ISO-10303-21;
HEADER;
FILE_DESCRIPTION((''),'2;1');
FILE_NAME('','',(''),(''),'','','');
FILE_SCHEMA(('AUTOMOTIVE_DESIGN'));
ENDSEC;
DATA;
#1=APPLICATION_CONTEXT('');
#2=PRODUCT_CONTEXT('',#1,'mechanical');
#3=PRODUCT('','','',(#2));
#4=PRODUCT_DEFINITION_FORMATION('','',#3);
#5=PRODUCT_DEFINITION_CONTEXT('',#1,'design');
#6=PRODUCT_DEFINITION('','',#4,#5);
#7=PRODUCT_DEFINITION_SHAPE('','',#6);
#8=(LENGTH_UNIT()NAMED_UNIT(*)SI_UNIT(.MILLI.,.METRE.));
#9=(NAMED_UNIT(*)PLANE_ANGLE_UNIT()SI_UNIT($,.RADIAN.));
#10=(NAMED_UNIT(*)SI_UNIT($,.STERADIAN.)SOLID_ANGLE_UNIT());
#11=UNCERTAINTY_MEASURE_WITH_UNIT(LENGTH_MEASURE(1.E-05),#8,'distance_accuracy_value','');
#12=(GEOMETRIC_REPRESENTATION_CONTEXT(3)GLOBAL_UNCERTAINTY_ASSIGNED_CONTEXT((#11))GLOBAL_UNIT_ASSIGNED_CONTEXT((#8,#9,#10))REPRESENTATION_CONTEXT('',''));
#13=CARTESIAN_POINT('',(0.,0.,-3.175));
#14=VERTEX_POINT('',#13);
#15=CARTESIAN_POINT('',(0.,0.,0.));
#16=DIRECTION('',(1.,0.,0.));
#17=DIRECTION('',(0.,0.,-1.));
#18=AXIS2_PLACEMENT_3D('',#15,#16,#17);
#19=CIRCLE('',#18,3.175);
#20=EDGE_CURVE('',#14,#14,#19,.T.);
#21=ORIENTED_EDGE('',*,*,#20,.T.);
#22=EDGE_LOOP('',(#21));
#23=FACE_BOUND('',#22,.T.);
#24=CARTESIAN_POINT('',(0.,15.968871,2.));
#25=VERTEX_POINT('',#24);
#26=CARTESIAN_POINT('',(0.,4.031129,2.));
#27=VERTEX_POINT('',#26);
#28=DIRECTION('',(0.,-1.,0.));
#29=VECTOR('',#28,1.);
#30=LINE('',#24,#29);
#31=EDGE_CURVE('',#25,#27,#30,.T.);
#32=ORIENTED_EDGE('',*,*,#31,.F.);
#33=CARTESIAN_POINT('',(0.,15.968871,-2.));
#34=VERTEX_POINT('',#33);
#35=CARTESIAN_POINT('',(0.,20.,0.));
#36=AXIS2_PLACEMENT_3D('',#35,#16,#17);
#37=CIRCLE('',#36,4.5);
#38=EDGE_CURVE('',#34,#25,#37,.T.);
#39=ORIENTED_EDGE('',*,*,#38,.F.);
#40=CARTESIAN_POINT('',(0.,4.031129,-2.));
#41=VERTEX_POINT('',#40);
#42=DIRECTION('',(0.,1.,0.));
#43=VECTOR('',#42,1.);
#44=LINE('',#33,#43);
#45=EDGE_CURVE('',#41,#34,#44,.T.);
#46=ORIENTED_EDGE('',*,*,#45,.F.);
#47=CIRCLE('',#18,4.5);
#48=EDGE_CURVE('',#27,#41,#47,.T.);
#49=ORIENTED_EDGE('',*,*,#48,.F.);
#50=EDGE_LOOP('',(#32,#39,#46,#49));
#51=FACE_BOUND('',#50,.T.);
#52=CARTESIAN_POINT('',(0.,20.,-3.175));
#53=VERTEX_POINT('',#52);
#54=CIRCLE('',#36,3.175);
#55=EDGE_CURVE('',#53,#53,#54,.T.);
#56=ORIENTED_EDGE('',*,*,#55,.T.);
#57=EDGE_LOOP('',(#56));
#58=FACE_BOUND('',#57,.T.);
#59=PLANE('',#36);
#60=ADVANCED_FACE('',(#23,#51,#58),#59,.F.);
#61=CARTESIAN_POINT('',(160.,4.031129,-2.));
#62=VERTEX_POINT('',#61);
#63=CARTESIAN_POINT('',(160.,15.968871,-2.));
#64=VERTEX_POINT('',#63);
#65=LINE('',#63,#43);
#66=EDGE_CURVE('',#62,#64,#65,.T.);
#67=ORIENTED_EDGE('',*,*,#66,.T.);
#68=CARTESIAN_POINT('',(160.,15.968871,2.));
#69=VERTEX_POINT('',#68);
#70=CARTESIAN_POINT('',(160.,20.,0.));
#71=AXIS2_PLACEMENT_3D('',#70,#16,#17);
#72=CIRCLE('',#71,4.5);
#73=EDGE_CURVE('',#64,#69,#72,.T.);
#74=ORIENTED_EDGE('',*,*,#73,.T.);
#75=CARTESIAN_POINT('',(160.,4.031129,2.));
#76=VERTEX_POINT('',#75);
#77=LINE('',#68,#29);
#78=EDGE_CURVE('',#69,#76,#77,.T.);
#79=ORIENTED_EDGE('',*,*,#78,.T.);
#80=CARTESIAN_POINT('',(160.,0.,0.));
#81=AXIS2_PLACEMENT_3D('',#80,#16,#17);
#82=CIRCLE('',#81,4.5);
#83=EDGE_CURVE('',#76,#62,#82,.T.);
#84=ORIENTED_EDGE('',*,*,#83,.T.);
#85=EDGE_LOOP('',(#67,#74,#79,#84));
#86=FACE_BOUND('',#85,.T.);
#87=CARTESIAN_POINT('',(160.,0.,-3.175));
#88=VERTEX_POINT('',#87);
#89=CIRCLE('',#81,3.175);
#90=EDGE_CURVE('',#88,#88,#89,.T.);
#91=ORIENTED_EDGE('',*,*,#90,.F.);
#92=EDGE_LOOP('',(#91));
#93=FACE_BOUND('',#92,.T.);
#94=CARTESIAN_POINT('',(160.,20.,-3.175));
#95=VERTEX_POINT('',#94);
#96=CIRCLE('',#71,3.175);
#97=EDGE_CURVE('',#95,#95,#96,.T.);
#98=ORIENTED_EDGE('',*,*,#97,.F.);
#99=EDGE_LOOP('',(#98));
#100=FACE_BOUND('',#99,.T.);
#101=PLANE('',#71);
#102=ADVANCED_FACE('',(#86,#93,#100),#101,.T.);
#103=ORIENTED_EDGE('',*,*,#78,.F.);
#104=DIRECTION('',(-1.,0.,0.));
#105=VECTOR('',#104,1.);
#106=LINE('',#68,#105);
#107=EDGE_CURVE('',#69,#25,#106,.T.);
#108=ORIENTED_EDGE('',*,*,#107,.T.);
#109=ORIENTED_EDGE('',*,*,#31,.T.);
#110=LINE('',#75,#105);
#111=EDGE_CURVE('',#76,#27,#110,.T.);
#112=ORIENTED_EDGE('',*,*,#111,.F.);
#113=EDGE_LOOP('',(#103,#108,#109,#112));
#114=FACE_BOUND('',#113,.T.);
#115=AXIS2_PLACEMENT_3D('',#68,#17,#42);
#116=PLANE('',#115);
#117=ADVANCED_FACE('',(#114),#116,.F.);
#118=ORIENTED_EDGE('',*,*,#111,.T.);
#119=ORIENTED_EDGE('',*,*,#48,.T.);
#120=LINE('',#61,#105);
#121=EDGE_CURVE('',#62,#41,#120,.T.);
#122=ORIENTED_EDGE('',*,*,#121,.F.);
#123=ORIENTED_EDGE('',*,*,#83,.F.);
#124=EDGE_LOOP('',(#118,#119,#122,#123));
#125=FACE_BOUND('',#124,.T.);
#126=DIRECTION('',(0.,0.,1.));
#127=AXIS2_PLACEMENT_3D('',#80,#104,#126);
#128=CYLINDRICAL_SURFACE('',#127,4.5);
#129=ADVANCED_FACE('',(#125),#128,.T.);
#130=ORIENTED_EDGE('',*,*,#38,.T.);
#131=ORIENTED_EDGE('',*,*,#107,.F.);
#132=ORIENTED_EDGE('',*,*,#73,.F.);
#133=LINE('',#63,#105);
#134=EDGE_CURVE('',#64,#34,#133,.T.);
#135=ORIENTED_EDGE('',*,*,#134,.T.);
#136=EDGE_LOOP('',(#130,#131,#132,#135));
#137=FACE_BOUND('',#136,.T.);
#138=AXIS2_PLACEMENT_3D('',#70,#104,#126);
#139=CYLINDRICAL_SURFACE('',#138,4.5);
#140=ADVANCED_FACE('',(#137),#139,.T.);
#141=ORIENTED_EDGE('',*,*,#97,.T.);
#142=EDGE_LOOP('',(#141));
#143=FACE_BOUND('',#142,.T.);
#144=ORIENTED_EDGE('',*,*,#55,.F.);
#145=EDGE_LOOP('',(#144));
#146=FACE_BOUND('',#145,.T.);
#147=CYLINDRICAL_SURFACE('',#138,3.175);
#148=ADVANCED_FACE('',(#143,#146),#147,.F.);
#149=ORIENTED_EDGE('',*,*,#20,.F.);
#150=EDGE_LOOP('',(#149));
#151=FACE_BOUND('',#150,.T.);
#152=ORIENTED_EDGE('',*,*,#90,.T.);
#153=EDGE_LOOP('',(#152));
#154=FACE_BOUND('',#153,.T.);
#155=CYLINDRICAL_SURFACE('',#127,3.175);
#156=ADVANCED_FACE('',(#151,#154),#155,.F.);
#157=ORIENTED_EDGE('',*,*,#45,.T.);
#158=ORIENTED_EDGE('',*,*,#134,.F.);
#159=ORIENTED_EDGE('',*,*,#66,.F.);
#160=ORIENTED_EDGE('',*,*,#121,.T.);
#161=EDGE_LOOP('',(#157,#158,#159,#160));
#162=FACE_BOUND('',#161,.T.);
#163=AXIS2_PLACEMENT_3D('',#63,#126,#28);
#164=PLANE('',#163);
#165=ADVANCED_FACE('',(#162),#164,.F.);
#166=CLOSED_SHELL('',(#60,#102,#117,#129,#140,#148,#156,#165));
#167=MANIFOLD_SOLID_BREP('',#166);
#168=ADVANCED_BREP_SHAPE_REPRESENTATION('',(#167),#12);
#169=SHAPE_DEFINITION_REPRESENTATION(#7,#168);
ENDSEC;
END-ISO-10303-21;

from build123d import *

# Parameters (mm, degrees)
SKETCH1_R           = 3.175
BOSS_EXTRUDE1_DEPTH = 160


with BuildPart() as part:
    # Sketch1 → Boss-Extrude1 (new body)
    with BuildSketch(Plane(origin=(0, 0, 0), x_dir=(0, 0, -1), z_dir=(1, 0, 0))):
        with BuildLine():
            Line((-2, 15.968871126), (-2, 4.031128874))
            ThreePointArc((-2, 4.031128874), (0, -4.5), (2, 4.031128874))
            Line((2, 4.031128874), (2, 15.968871126))
            ThreePointArc((2, 15.968871126), (0, 24.5), (-2, 15.968871126))
        make_face()
        Circle(SKETCH1_R, mode=Mode.SUBTRACT)
        with Locations((0, 20)):
            Circle(SKETCH1_R, mode=Mode.SUBTRACT)
    extrude(amount=BOSS_EXTRUDE1_DEPTH)


solid = part.part
